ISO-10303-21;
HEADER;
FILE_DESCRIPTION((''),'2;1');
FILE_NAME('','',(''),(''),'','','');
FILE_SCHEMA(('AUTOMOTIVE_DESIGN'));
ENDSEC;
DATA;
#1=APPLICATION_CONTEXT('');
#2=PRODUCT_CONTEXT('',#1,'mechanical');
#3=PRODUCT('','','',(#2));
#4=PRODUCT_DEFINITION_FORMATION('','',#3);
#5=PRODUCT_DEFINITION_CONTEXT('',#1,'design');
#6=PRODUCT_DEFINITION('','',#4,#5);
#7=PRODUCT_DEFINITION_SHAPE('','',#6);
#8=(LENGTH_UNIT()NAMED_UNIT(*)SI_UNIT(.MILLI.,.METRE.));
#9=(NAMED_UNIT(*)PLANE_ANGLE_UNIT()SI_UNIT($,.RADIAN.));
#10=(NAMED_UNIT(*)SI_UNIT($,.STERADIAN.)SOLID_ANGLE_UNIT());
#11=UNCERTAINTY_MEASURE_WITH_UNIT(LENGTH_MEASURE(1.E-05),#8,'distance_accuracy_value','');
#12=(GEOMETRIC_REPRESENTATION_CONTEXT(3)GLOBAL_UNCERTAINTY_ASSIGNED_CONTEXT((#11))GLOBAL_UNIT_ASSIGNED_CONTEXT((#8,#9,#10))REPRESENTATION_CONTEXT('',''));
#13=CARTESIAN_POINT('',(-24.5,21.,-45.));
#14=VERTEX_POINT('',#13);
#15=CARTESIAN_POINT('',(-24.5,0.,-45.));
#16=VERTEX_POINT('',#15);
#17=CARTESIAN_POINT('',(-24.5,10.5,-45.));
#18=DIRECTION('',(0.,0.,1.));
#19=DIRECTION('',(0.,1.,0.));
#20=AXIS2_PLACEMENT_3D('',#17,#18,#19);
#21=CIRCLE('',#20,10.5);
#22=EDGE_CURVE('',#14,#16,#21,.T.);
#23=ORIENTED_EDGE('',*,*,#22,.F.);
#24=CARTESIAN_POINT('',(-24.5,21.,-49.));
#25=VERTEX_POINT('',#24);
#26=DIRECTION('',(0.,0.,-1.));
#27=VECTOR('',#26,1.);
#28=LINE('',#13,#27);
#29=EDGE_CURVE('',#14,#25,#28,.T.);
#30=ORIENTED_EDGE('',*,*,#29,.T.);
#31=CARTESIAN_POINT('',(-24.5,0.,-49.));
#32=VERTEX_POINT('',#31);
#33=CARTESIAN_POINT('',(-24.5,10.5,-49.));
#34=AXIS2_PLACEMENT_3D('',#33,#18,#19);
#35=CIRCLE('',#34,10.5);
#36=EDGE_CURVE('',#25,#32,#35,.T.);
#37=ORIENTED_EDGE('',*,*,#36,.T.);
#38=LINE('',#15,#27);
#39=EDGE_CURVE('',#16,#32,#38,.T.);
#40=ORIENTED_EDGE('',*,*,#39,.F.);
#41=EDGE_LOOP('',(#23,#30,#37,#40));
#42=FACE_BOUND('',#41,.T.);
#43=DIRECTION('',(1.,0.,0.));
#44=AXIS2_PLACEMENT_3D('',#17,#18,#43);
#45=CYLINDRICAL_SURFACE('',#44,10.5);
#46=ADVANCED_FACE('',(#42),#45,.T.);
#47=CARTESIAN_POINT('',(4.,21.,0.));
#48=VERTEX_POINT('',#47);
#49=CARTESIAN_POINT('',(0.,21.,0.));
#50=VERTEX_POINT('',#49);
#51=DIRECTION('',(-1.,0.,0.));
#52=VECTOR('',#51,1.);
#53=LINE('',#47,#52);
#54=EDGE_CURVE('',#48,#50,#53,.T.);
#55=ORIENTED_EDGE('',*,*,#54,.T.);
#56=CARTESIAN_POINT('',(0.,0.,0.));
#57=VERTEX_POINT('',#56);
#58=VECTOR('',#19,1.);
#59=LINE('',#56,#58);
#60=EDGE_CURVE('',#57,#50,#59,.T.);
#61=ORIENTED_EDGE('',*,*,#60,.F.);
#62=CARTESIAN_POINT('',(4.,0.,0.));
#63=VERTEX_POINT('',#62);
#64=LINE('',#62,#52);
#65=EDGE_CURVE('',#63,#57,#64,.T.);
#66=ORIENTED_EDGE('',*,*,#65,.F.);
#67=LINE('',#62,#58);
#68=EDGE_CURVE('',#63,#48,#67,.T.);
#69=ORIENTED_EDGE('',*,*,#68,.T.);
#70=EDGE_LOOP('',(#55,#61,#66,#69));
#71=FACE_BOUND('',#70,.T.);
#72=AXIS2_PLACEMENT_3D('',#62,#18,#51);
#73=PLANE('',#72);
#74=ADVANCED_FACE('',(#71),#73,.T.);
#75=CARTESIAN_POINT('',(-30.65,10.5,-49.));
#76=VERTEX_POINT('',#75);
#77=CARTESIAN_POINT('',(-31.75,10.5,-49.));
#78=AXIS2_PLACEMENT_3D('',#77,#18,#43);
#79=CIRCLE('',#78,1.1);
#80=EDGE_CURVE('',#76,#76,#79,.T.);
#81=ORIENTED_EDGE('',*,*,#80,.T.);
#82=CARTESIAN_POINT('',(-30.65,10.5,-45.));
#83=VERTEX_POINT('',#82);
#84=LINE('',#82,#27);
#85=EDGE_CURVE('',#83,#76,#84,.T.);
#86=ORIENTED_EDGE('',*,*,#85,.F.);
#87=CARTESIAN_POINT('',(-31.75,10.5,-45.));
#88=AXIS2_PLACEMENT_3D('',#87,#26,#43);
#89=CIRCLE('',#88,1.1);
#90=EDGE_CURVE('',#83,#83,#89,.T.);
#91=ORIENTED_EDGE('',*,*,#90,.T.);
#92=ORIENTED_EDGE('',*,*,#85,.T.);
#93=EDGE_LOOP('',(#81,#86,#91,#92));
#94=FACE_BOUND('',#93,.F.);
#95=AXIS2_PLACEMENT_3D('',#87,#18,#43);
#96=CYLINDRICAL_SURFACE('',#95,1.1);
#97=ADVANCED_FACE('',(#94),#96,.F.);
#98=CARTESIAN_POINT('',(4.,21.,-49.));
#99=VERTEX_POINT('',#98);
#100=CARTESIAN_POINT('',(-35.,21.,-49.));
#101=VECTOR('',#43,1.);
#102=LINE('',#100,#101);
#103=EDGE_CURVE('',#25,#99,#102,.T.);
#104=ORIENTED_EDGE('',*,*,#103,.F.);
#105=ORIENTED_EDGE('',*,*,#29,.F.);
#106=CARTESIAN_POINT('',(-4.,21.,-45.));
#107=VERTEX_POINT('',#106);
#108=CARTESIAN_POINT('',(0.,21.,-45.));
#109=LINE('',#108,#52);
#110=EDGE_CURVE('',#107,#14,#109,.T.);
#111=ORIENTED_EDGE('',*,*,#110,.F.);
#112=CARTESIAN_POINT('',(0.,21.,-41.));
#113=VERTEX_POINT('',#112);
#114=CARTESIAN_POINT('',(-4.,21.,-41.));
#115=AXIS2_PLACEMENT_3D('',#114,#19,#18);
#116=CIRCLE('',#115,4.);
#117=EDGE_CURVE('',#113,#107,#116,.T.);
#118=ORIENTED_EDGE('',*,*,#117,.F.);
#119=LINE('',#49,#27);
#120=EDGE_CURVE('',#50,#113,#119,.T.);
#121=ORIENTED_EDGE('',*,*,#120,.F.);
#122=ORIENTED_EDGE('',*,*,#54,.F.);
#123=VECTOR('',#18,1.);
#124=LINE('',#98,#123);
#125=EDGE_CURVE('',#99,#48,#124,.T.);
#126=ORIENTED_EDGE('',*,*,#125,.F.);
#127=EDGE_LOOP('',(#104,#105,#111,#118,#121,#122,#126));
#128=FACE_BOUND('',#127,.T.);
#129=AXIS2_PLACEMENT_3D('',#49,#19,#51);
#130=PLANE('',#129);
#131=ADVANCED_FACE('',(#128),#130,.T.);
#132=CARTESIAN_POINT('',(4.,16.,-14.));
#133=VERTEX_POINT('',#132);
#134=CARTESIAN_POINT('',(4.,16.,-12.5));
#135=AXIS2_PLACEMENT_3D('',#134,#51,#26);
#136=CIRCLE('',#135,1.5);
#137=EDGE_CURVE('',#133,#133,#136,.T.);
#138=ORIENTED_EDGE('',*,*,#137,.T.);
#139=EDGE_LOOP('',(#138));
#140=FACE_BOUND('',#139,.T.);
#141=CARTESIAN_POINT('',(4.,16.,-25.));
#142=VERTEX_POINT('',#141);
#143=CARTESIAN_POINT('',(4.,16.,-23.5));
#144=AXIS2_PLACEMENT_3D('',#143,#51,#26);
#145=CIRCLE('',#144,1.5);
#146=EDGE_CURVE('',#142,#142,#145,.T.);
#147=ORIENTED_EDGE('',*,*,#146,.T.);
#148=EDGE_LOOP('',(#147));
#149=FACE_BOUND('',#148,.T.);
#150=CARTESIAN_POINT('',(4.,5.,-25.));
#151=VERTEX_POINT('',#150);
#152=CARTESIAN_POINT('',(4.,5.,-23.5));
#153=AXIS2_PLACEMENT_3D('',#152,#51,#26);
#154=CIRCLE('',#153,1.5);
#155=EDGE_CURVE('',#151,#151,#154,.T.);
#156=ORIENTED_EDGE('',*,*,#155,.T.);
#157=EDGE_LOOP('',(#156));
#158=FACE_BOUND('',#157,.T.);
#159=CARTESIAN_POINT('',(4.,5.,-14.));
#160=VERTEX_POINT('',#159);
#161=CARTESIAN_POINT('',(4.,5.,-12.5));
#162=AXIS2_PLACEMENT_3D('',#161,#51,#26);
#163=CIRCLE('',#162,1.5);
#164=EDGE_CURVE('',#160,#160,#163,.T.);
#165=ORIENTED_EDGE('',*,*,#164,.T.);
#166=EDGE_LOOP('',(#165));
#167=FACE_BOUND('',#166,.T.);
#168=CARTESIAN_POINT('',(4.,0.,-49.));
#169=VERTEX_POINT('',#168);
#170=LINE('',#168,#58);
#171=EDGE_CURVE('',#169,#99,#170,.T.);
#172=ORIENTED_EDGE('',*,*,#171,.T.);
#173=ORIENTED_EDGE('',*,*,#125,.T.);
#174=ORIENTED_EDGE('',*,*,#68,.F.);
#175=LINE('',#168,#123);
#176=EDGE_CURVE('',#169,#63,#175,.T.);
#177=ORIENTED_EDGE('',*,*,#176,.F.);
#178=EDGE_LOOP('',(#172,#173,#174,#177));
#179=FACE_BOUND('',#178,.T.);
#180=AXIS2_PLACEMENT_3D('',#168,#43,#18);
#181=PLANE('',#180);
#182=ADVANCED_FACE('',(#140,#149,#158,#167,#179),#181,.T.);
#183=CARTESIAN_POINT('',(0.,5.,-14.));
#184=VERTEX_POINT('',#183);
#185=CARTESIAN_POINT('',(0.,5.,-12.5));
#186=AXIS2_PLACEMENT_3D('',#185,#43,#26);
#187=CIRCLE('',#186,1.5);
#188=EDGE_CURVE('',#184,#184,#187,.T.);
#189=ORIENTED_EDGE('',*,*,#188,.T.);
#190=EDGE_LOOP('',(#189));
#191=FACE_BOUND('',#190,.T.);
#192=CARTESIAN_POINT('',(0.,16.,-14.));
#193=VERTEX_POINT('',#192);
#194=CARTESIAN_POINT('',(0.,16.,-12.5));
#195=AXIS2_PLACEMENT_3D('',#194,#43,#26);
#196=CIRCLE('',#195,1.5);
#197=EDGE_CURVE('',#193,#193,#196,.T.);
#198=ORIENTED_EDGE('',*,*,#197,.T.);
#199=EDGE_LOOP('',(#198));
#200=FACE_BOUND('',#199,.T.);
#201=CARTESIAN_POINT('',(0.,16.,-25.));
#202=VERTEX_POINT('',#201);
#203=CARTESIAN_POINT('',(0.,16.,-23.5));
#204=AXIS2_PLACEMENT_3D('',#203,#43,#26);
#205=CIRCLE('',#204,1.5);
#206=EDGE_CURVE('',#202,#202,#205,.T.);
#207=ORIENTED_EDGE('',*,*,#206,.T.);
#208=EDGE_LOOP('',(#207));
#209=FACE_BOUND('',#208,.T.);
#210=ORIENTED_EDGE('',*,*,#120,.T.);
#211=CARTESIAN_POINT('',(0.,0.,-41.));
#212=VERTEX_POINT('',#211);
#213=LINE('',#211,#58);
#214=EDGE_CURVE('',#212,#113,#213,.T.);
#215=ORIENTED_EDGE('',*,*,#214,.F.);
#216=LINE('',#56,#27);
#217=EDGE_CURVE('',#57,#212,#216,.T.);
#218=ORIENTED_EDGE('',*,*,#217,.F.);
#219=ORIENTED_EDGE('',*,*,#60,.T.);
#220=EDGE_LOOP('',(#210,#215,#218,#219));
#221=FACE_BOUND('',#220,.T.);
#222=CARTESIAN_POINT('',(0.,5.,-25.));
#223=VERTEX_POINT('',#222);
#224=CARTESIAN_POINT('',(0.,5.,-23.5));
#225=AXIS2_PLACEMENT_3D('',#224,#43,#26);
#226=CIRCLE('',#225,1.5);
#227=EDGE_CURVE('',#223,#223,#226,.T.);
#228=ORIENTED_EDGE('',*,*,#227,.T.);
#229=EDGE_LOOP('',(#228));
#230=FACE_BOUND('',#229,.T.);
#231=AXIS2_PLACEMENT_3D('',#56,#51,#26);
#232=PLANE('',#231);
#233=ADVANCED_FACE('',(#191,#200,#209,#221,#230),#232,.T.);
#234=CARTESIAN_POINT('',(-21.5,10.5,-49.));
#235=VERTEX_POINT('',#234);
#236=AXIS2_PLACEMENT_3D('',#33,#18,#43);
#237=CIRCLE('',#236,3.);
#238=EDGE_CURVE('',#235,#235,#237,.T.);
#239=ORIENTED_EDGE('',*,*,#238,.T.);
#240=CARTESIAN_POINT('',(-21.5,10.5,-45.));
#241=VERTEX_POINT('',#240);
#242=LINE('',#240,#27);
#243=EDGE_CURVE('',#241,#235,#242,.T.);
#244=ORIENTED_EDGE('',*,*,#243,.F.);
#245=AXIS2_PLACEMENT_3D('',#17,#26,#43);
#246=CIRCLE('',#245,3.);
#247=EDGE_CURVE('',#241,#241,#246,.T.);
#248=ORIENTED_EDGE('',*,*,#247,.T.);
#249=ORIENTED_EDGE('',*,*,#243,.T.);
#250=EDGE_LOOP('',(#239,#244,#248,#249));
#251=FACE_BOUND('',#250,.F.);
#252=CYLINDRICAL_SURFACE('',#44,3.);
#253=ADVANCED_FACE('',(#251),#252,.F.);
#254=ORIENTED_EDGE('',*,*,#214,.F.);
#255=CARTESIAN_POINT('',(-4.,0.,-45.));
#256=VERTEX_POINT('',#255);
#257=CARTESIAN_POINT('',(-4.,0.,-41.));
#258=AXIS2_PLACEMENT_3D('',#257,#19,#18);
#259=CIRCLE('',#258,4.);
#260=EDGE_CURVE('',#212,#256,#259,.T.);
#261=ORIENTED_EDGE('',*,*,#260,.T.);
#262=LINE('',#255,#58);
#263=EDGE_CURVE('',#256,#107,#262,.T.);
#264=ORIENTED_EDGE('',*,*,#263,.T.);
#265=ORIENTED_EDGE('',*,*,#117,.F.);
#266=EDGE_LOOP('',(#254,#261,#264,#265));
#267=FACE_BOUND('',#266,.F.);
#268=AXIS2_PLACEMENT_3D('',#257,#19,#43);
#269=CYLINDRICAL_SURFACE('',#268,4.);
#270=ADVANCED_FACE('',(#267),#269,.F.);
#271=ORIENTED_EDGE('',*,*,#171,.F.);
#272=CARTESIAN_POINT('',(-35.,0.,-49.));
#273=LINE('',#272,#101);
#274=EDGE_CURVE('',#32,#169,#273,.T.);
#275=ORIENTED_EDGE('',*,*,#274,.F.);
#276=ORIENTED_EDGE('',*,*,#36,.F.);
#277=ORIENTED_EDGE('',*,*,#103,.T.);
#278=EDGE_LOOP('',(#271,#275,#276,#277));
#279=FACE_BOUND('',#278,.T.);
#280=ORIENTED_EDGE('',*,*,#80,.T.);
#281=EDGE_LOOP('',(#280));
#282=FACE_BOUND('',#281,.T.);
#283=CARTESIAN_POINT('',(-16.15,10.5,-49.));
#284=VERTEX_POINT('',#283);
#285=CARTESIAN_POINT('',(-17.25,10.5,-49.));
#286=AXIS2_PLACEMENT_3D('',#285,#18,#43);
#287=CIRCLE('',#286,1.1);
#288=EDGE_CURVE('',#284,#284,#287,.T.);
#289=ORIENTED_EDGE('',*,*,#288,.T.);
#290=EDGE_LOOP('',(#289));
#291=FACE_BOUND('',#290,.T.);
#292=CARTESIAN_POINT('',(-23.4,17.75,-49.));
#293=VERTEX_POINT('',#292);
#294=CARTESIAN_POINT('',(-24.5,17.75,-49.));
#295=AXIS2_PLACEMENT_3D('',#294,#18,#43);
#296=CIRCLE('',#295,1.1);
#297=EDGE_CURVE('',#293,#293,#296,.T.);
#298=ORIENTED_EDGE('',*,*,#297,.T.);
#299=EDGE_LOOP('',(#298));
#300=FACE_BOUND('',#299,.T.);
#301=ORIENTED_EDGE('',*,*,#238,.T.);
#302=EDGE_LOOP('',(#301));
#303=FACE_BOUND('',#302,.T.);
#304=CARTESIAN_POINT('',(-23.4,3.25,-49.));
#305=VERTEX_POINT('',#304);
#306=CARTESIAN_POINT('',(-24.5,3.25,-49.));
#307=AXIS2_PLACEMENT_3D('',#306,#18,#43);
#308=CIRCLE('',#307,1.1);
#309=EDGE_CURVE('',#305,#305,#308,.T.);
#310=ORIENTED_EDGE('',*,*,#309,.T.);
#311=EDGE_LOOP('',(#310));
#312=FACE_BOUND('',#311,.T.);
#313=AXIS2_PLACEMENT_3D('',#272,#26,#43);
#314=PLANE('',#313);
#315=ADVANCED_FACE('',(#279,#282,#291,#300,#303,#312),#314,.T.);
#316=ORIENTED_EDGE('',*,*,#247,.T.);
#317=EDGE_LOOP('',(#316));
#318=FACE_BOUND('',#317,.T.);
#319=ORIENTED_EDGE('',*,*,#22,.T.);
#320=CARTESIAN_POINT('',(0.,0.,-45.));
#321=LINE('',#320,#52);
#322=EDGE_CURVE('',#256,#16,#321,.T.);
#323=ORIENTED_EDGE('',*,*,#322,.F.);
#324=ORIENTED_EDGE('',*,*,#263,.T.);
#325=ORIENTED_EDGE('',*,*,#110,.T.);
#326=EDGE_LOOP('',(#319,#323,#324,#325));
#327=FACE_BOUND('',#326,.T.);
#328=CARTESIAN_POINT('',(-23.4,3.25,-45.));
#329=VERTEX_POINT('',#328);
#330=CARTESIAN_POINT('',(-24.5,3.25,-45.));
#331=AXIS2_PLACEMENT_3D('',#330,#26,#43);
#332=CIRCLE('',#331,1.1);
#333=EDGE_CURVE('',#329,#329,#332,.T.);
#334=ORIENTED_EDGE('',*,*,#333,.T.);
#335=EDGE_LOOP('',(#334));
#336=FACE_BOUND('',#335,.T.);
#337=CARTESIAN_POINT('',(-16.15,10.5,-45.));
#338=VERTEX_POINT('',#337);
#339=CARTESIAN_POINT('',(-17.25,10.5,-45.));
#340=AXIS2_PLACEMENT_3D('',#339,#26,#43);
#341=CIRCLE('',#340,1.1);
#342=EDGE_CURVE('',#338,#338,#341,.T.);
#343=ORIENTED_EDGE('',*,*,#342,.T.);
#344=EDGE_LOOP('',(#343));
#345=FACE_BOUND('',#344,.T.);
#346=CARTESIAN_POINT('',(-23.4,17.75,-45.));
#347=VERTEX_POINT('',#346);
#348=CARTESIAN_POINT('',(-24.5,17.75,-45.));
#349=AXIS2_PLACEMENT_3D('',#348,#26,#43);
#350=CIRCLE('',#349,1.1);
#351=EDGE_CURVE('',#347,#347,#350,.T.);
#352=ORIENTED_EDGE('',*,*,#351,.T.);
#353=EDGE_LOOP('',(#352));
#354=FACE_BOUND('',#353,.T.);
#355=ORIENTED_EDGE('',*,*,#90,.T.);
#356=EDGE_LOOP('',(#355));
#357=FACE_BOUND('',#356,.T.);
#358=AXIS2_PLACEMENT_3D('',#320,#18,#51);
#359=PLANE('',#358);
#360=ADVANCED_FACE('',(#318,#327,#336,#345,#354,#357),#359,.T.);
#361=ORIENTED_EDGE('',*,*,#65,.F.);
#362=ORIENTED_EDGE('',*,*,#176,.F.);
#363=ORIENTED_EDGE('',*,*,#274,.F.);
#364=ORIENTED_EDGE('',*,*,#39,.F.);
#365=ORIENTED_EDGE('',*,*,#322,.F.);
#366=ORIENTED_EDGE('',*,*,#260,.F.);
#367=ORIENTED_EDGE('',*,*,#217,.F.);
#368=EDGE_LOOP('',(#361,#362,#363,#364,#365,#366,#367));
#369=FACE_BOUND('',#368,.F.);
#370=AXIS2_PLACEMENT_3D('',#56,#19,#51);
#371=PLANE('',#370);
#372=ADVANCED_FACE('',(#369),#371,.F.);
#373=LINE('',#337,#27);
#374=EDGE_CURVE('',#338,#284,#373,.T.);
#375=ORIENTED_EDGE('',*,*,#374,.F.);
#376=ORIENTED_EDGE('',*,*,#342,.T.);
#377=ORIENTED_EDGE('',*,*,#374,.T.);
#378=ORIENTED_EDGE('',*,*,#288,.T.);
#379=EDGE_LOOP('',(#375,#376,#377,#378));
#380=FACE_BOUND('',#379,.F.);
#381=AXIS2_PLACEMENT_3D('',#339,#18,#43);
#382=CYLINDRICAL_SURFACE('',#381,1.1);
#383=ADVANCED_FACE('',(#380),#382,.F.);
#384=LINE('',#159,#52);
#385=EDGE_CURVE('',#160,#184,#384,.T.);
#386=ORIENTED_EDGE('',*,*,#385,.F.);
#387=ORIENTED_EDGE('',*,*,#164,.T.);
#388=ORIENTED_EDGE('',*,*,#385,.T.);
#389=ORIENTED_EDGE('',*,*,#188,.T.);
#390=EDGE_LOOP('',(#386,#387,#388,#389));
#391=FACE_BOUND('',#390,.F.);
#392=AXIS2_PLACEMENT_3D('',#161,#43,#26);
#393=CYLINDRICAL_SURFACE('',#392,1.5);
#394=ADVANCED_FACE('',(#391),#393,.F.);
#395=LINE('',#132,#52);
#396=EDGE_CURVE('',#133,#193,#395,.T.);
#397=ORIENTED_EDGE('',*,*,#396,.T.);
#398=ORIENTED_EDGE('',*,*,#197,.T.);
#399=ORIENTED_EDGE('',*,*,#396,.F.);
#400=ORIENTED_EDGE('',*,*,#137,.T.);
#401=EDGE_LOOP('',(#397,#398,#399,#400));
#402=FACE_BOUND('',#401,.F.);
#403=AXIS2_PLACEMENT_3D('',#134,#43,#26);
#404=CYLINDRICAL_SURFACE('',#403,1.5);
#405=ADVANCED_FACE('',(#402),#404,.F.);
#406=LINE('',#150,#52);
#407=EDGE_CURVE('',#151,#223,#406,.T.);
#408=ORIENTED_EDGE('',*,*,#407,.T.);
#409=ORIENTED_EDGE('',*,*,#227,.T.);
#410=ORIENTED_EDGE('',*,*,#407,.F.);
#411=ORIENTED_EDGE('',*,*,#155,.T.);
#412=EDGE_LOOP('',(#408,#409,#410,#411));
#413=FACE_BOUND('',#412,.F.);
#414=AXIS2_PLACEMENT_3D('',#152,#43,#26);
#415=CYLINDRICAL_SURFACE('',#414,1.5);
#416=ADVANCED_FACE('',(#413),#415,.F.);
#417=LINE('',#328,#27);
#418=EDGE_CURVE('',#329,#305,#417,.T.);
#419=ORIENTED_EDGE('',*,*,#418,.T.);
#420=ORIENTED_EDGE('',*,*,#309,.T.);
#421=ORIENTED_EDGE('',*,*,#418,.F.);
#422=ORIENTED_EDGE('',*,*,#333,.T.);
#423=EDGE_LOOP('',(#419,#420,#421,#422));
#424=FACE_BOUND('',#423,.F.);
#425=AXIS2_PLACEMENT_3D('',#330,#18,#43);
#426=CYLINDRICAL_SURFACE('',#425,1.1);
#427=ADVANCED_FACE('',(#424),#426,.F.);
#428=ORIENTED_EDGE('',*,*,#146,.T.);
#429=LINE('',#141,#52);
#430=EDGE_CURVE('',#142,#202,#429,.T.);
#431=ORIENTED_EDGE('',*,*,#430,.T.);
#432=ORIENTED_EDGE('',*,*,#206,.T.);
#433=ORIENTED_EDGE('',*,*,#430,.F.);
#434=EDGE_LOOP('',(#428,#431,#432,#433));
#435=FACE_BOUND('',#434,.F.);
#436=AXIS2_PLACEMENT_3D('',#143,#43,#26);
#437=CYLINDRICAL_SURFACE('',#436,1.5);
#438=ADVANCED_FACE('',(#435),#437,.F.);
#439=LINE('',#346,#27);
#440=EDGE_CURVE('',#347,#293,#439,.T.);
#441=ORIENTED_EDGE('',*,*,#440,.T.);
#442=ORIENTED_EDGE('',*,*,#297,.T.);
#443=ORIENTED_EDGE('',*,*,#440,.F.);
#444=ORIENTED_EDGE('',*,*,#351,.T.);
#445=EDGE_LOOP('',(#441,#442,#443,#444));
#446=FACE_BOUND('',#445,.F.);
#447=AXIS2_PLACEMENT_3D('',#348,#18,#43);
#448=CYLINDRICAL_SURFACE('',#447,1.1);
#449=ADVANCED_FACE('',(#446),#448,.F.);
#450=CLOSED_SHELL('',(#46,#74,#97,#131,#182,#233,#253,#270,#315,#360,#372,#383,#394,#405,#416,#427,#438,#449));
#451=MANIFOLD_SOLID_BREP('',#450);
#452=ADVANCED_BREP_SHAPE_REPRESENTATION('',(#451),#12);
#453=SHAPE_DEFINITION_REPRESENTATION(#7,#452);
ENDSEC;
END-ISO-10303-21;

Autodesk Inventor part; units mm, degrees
ref_plane "YZ Plane" through (0, 0, 0) normal (1, 0, 0) x (0, 1, 0)
ref_plane "XZ Plane" through (0, 0, 0) normal (0, 1, 0) x (-1, 0, 0)
ref_plane "XY Plane" through (0, 0, 0) normal (0, 0, 1) x (1, 0, 0)
sketch "Sketch1" plane through (0, 0, 0) normal (0, 1, 0) x (-1, 0, 0)
  line L0 (0, 0) -> (0, -45)
  line L1 (0, -45) -> (35, -45)
  line L2 (35, -45) -> (35, -49)
  line L3 (35, -49) -> (-4, -49)
  line L4 (-4, -49) -> (-4, 0)
  line L5 (-4, 0) -> (0, 0)
  dimension "d0" = 45
  dimension "d1" = 35
  dimension "d2" = 4
  dimension "d3" = 39
extrude "Extrusion1" add sketch "Sketch1" along normal blind 21
sketch "Sketch2" plane through (4, 0, 0) normal (1, 0, 0) x (0, 0, -1)
  line L0 (0, 21) -> (49, 21) projected
  line L1 (0, 21) -> (12.5, 21)
  line L2 (12.5, 21) -> (12.5, 16)
  line L3 (12.5, 16) -> (0, 16)
  line L4 (0, 16) -> (0, 21)
  line L5 (12.5, 16) -> (23.5, 16)
  line L6 (23.5, 16) -> (23.5, 5)
  line L7 (23.5, 5) -> (12.5, 5)
  line L8 (12.5, 5) -> (12.5, 16)
  circle A0 centre (12.5, 16) radius 1.5
  circle A1 centre (23.5, 16) radius 1.5
  circle A2 centre (12.5, 5) radius 1.5
  circle A3 centre (23.5, 5) radius 1.5
  point P0 (0, 0)
  dimension "d6" = 12.5
  dimension "d7" = 5
  dimension "d8" = 11
  dimension "d9" = 11
  dimension "d10" = 3
  dimension "d11" = 3
  dimension "d12" = 3
  dimension "d13" = 3
extrude "Extrusion2" cut sketch "Sketch2" against normal blind 21 contours A0 L5 L2 | L2 L3 A0 | L3 L8 A0 | L5 A0 L8 | A1 L6 L5 | L5 L6 A1 | A2 L7 L8 | L8 L7 A2 | A3 L7 L6 | L6 L7 A3
sketch "Sketch3" plane through (-35, 0, -45) normal (0, 0, 1) x (1, 0, 0)
  line L0 (0, 0) -> (0, 21) projected
  line L1 (0, 10.5) -> (10.5, 10.5)
  circle A0 centre (10.5, 10.5) radius 10.5
  line L2 (0, 21) -> (10.5, 21)
  line L3 (10.5, 21) -> (10.5, 0)
  line L4 (10.5, 0) -> (0, 0)
  line L5 (0, 0) -> (0, 21)
  circle A1 centre (10.5, 10.5) radius 8
  circle A2 centre (10.5, 10.5) radius 6.5
  line L6 (10.5, 18.5) -> (10.5, 17)
  line L7 (10.5, 4) -> (10.5, 2.5)
  line L8 (2.5, 10.5) -> (4, 10.5)
  line L9 (10.5, 10.5) -> (18.5, 10.5)
  line L10 (18.5, 10.5) -> (17, 10.5)
  circle A3 centre (10.5, 17.75) radius 1.1
  circle A4 centre (3.25, 10.5) radius 1.1
  circle A5 centre (17.75, 10.5) radius 1.1
  circle A6 centre (10.5, 3.25) radius 1.1
  circle A7 centre (10.5, 10.5) radius 3
  point P0 (35, 0)
  point P1 (10.5, 21)
  dimension "d16" = 10.5
  dimension "d17" = 16
  dimension "d18" = 13
  dimension "d19" = 2.2
  dimension "d20" = 2.2
  dimension "d21" = 2.2
  dimension "d22" = 2.2
  dimension "d23" = 6
extrude "Extrusion3" cut sketch "Sketch3" against normal blind 21 contours L0 A0 L4 | L0 L2 A0 | A4 A1 L1 | L1 A1 A4 | A6 A1 L3 | L3 A1 A6 | A1 A4 A2 L1 | L1 A2 A4 A1 | A3 A1 L3 | L3 A1 A3 | A1 A6 A2 L3 | L3 A2 A6 A1 | A2 A4 L1 | L1 A4 A2 | A1 L3 A2 A3 | A1 A3 A2 L3 | A2 A6 L3 | L3 A6 A2 | A5 A2 L9 A1 | A1 A5 | A2 L3 A3 | A2 A3 L3 | A1 L9 A2 A5 | A5 L9 A2 | A7 L3 L1 | L1 L3 A7 | A2 L9 A5 | L3 L9 A7 | L3 A7 L9
fillet "Fillet1" radius 4 1 edges at (0, 10.5, -45)
properties part number "L2"
